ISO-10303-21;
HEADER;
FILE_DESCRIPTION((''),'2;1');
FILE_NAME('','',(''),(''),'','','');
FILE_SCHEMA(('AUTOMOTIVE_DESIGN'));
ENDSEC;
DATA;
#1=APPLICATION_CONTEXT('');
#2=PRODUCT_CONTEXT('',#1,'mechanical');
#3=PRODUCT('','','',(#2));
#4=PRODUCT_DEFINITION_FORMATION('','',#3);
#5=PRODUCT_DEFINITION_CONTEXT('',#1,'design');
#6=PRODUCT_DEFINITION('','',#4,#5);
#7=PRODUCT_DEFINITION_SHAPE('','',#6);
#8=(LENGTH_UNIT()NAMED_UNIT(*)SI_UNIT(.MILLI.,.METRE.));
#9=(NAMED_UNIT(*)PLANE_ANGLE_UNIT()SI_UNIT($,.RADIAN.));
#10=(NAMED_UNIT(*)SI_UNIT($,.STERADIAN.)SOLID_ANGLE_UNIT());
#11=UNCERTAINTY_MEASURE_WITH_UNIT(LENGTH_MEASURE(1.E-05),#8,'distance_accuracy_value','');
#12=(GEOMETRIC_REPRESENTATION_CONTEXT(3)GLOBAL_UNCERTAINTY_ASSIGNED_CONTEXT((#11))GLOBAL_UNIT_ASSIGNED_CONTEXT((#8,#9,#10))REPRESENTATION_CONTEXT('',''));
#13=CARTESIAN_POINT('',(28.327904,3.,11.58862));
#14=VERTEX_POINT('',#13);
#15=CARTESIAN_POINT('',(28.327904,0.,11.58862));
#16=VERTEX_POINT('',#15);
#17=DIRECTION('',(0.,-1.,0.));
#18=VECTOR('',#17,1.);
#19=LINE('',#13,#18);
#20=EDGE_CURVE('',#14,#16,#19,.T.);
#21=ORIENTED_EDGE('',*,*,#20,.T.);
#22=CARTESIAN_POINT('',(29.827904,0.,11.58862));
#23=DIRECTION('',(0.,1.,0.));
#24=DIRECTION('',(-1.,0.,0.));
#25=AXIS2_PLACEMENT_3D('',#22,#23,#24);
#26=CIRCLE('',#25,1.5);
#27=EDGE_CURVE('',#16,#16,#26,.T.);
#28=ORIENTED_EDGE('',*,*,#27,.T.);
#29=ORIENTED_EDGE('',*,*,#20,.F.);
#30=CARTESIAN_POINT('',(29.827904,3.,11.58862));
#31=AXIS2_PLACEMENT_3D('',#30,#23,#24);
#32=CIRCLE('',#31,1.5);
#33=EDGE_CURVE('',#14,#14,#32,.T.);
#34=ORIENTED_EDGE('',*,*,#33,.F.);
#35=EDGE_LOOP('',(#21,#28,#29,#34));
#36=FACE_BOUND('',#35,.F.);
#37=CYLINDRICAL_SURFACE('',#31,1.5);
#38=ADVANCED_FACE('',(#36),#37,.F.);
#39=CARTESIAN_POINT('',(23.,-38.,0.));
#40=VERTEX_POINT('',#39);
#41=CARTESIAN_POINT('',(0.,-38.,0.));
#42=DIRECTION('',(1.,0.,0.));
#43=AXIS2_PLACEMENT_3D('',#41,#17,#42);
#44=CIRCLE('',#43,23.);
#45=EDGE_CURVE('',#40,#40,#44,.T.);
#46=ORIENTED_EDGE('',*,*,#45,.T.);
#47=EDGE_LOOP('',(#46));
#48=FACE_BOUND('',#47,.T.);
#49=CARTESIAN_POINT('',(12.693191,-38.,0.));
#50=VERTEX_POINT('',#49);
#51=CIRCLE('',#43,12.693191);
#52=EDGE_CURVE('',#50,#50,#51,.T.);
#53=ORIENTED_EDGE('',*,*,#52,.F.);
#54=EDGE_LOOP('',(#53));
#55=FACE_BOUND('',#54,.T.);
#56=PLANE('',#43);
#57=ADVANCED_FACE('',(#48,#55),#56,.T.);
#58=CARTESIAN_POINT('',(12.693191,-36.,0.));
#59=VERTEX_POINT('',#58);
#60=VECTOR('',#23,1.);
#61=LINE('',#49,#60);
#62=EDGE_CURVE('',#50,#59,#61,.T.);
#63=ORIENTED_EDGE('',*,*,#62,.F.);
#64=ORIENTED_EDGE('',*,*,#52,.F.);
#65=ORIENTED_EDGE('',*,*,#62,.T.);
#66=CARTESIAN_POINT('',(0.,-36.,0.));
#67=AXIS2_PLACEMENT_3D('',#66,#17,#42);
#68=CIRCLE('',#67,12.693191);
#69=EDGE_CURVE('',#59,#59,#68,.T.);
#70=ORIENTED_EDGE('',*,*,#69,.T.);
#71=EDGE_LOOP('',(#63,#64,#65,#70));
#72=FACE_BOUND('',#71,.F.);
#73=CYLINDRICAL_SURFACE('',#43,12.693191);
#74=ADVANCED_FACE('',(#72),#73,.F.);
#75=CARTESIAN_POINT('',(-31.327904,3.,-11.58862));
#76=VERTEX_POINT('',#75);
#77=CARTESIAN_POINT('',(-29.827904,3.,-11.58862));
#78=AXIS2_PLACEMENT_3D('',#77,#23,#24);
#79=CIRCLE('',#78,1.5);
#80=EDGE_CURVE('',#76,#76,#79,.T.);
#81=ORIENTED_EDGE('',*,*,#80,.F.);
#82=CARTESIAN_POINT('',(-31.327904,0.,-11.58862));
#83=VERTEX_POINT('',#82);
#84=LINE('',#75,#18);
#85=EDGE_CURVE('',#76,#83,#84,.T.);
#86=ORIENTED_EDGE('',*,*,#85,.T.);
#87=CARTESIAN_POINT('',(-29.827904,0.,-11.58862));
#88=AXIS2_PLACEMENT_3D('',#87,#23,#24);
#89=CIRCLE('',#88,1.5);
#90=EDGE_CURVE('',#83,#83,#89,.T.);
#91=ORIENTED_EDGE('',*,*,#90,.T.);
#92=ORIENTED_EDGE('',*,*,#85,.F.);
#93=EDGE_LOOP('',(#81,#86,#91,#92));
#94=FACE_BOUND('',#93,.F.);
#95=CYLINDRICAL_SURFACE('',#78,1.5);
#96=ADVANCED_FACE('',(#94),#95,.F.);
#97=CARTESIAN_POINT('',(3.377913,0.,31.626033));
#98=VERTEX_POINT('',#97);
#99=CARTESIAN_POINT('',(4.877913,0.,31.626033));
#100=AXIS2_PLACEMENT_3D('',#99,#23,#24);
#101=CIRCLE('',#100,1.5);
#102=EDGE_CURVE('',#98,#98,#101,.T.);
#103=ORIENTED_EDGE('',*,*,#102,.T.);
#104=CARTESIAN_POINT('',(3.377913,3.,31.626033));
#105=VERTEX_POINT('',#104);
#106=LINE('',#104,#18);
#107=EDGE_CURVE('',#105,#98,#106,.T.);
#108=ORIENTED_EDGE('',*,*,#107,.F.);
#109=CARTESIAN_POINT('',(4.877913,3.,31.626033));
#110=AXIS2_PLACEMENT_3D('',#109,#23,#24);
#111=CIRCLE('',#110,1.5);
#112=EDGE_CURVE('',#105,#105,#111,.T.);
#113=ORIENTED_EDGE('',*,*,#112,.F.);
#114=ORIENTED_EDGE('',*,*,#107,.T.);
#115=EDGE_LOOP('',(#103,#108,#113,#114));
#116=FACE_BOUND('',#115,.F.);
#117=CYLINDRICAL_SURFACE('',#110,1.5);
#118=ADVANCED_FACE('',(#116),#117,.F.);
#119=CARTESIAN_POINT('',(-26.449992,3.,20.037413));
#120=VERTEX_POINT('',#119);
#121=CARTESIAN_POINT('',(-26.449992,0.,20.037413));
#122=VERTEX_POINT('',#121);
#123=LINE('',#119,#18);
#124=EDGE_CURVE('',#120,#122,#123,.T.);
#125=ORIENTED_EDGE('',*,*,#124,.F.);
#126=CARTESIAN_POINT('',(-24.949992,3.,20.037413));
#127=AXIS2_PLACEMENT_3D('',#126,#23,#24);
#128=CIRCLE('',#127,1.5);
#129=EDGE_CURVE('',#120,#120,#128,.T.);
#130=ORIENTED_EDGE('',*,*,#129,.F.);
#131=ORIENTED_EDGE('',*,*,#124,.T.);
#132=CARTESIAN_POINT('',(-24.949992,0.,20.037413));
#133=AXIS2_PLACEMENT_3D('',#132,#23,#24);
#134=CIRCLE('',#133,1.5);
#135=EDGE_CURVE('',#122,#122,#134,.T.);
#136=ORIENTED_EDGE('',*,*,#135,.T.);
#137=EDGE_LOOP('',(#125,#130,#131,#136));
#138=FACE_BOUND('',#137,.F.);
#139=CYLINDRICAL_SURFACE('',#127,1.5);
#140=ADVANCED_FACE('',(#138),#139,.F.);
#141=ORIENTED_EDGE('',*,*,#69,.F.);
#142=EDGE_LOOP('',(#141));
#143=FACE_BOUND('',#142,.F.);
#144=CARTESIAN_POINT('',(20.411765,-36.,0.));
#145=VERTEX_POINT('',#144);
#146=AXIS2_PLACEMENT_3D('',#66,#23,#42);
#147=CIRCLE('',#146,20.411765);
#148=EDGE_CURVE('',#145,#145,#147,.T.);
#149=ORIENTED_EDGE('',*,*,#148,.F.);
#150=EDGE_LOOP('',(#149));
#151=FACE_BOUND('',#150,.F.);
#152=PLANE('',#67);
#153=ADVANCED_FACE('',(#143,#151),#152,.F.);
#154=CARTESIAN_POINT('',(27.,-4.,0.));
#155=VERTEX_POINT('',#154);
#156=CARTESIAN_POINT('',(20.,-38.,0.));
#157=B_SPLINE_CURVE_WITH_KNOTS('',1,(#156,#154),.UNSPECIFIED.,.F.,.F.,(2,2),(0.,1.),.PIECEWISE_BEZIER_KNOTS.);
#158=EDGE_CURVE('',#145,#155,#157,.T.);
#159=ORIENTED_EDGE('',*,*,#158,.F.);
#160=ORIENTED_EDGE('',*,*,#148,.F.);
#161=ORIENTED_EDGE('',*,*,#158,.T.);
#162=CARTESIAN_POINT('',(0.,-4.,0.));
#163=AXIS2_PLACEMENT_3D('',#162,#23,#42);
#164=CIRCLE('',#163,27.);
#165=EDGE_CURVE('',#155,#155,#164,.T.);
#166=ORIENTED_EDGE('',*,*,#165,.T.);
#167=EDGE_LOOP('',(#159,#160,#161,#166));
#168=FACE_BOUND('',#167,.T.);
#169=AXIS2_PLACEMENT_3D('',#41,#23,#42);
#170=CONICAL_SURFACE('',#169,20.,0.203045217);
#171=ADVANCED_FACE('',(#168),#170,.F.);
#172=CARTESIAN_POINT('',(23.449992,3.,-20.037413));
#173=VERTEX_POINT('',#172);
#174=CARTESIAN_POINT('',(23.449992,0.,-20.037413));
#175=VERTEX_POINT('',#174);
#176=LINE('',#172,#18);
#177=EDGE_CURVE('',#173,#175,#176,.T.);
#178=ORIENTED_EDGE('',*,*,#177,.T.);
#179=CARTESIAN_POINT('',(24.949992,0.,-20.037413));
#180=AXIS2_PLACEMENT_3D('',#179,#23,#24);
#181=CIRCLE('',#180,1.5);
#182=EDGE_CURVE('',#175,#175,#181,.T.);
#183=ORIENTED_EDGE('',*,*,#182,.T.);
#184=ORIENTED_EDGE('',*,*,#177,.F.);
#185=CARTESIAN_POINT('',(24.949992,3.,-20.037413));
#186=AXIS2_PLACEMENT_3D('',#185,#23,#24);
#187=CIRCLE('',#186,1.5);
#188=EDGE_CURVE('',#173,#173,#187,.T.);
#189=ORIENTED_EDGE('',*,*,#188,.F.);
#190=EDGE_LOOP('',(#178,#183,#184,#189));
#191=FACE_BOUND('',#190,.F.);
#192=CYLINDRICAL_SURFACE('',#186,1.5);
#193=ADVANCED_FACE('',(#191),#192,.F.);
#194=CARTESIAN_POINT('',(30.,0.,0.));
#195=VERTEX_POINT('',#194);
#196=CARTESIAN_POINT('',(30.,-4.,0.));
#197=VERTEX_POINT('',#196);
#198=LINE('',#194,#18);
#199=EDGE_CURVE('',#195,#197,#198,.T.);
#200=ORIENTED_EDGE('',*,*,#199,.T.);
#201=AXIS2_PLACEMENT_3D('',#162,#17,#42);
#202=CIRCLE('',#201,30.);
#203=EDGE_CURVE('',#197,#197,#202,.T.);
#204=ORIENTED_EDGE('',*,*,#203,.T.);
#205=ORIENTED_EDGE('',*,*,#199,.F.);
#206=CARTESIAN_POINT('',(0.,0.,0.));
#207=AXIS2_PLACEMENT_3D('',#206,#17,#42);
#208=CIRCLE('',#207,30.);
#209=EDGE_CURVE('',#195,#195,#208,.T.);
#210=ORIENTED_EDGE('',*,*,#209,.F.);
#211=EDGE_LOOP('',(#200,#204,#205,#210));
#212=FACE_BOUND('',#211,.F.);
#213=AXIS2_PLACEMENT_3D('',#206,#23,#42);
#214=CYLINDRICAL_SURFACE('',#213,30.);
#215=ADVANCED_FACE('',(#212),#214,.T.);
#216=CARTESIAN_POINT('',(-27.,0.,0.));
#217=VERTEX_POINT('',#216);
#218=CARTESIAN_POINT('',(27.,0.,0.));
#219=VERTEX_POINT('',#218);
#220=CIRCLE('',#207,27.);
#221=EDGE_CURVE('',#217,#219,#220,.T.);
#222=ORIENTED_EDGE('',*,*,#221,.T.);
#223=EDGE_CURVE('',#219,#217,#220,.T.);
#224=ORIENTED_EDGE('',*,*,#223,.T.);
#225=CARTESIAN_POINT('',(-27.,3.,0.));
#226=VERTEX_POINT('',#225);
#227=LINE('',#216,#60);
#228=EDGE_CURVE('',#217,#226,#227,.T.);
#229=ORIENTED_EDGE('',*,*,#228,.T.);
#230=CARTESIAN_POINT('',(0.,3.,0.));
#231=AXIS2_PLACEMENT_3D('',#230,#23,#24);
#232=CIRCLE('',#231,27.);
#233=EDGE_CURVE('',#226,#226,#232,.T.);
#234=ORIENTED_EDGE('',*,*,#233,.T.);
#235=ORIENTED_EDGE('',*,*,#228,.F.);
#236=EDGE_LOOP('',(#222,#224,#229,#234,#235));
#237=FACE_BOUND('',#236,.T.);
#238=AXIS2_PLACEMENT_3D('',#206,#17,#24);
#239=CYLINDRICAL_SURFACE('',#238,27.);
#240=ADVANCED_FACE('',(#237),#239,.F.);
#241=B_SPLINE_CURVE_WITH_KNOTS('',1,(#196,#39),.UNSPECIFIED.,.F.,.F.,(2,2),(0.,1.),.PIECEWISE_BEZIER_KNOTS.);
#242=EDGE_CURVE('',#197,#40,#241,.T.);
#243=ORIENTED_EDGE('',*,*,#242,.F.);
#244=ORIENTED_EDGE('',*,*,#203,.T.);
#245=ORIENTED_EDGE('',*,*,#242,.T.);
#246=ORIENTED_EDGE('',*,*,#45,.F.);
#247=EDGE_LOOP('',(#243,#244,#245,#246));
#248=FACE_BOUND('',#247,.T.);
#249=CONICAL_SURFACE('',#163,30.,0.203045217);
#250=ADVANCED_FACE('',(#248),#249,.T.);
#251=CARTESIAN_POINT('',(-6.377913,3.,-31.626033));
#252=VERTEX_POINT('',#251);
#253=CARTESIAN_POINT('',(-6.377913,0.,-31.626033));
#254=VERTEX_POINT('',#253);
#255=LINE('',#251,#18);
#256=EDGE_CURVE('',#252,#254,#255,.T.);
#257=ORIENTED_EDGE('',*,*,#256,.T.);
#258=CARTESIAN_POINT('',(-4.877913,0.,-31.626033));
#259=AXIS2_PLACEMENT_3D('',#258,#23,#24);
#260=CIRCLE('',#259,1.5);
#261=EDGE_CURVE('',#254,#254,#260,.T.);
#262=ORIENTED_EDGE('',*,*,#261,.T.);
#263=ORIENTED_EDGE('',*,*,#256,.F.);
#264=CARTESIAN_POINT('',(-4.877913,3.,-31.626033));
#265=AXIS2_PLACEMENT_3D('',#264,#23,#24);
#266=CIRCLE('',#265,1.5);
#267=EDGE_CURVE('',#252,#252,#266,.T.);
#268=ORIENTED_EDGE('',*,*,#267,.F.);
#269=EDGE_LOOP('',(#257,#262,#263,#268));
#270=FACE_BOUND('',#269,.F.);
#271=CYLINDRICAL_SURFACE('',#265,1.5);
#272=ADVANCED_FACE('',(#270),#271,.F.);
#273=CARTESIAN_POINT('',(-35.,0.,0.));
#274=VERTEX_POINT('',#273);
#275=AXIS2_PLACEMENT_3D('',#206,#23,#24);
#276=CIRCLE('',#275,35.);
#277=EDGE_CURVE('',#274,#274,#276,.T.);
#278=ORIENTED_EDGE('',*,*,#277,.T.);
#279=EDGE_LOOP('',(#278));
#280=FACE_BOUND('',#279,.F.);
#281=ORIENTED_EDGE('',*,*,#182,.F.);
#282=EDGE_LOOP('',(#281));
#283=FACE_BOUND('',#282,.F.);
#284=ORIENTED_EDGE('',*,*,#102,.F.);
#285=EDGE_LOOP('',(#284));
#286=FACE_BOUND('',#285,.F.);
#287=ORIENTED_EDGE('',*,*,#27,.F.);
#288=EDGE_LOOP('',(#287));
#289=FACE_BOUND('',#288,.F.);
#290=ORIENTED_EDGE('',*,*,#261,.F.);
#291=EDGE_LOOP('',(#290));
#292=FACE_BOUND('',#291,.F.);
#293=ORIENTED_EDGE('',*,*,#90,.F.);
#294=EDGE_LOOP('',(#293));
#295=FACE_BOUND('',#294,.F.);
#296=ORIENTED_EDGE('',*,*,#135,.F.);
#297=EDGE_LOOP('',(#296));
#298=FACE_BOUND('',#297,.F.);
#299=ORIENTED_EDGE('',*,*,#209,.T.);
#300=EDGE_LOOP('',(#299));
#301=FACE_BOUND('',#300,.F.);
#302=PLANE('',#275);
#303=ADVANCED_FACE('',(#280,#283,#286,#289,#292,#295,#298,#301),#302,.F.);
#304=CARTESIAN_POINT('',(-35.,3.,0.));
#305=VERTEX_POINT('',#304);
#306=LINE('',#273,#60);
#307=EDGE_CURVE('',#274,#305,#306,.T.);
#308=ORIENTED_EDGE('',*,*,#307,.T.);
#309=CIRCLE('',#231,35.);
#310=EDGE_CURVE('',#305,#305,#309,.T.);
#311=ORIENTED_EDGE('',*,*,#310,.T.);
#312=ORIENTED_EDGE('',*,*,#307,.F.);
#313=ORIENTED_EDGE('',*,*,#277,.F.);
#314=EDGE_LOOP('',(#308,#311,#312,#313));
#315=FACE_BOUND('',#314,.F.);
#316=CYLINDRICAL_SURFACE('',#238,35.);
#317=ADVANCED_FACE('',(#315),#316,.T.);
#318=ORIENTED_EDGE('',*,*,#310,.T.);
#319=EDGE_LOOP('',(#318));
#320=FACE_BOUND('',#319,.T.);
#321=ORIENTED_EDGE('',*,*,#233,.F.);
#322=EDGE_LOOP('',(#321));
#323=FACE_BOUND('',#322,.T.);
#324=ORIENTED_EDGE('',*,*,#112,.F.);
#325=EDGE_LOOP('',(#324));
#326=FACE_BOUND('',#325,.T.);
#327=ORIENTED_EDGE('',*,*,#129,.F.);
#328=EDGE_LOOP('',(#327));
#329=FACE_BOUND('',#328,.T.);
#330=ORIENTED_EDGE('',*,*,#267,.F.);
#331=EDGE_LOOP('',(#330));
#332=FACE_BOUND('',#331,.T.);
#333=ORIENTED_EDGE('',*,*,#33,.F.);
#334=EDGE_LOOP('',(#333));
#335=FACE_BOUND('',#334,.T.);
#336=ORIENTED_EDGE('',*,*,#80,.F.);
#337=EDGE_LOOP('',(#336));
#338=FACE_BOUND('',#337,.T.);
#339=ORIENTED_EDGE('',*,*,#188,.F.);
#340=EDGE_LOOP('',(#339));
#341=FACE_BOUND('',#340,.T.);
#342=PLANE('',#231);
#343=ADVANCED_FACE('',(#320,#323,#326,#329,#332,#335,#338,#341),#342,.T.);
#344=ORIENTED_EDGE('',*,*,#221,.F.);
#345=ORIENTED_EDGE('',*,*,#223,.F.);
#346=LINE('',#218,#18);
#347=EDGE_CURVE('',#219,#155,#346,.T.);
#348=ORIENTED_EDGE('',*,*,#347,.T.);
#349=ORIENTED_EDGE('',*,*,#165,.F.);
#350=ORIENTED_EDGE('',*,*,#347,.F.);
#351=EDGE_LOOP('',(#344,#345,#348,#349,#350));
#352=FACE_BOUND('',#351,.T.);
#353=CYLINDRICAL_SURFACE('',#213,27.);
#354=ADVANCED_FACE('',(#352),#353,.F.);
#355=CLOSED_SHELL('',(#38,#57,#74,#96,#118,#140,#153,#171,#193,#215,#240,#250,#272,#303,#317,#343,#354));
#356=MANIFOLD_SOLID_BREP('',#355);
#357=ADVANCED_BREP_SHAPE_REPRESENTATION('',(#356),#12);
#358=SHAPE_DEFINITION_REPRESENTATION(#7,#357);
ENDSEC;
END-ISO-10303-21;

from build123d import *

# Parameters (mm, degrees)
F0_R      = 30
F0_R_2    = 27
F1_DEPTH  = 4
F4_R      = 30
F3_R      = 23
F7_R      = 20
F6_R      = 27
F9_R      = 22.403667
F9_R_2    = 12.693191
F10_DEPTH = 2
F11_R     = 35
F11_R_2   = 27
F12_DEPTH = 3
F13_R     = 1.5
F14_DEPTH = 25


with BuildPart() as f1:
    # F0 (on Front) → F1 (new body)
    with BuildSketch(Plane.XZ):
        Circle(F0_R)
        Circle(F0_R_2, mode=Mode.SUBTRACT)
    extrude(amount=F1_DEPTH)

    # F4 (on face) → F5 section 0
    with BuildSketch(Plane.XZ.offset(4)):
        Circle(F4_R)
    # F3 (on offset) → F5 section 1
    with BuildSketch(Plane.XZ.offset(38)):
        Circle(F3_R)
    loft()

    # F7 (on face) → F8 section 0
    with BuildSketch(Plane.XZ.offset(38)):
        Circle(F7_R)
    # F6 (on face) → F8 section 1
    with BuildSketch(Plane(origin=(0, -4, 0), x_dir=(-1, 0, 0), z_dir=(0, 1, 0))):
        Circle(F6_R)
    loft(mode=Mode.SUBTRACT)

    # F9 (on face) → F10 (join)
    with BuildSketch(Plane.XZ.offset(38)):
        Circle(F9_R)
        Circle(F9_R_2, mode=Mode.SUBTRACT)
    extrude(amount=-F10_DEPTH)

    # F11 (on face) → F12 (join)
    with BuildSketch(Plane(origin=(0, 0, 0), x_dir=(-1, 0, 0), z_dir=(0, 1, 0))):
        Circle(F11_R)
        Circle(F11_R_2, mode=Mode.SUBTRACT)
    extrude(amount=F12_DEPTH)

    # F13 (on face) → F14 (cut)
    with BuildSketch(Plane(origin=(0, 3, 0), x_dir=(-1, 0, 0), z_dir=(0, 1, 0))):
        with Locations((-4.877913, 31.626033)):
            Circle(F13_R)
        with Locations((24.949992, 20.037413)):
            Circle(F13_R)
        with Locations((29.827904, -11.58862)):
            Circle(F13_R)
        with Locations((4.877913, -31.626033)):
            Circle(F13_R)
        with Locations((-24.949992, -20.037413)):
            Circle(F13_R)
        with Locations((-29.827904, 11.58862)):
            Circle(F13_R)
    extrude(amount=-F14_DEPTH, mode=Mode.SUBTRACT)


solid = f1.part
